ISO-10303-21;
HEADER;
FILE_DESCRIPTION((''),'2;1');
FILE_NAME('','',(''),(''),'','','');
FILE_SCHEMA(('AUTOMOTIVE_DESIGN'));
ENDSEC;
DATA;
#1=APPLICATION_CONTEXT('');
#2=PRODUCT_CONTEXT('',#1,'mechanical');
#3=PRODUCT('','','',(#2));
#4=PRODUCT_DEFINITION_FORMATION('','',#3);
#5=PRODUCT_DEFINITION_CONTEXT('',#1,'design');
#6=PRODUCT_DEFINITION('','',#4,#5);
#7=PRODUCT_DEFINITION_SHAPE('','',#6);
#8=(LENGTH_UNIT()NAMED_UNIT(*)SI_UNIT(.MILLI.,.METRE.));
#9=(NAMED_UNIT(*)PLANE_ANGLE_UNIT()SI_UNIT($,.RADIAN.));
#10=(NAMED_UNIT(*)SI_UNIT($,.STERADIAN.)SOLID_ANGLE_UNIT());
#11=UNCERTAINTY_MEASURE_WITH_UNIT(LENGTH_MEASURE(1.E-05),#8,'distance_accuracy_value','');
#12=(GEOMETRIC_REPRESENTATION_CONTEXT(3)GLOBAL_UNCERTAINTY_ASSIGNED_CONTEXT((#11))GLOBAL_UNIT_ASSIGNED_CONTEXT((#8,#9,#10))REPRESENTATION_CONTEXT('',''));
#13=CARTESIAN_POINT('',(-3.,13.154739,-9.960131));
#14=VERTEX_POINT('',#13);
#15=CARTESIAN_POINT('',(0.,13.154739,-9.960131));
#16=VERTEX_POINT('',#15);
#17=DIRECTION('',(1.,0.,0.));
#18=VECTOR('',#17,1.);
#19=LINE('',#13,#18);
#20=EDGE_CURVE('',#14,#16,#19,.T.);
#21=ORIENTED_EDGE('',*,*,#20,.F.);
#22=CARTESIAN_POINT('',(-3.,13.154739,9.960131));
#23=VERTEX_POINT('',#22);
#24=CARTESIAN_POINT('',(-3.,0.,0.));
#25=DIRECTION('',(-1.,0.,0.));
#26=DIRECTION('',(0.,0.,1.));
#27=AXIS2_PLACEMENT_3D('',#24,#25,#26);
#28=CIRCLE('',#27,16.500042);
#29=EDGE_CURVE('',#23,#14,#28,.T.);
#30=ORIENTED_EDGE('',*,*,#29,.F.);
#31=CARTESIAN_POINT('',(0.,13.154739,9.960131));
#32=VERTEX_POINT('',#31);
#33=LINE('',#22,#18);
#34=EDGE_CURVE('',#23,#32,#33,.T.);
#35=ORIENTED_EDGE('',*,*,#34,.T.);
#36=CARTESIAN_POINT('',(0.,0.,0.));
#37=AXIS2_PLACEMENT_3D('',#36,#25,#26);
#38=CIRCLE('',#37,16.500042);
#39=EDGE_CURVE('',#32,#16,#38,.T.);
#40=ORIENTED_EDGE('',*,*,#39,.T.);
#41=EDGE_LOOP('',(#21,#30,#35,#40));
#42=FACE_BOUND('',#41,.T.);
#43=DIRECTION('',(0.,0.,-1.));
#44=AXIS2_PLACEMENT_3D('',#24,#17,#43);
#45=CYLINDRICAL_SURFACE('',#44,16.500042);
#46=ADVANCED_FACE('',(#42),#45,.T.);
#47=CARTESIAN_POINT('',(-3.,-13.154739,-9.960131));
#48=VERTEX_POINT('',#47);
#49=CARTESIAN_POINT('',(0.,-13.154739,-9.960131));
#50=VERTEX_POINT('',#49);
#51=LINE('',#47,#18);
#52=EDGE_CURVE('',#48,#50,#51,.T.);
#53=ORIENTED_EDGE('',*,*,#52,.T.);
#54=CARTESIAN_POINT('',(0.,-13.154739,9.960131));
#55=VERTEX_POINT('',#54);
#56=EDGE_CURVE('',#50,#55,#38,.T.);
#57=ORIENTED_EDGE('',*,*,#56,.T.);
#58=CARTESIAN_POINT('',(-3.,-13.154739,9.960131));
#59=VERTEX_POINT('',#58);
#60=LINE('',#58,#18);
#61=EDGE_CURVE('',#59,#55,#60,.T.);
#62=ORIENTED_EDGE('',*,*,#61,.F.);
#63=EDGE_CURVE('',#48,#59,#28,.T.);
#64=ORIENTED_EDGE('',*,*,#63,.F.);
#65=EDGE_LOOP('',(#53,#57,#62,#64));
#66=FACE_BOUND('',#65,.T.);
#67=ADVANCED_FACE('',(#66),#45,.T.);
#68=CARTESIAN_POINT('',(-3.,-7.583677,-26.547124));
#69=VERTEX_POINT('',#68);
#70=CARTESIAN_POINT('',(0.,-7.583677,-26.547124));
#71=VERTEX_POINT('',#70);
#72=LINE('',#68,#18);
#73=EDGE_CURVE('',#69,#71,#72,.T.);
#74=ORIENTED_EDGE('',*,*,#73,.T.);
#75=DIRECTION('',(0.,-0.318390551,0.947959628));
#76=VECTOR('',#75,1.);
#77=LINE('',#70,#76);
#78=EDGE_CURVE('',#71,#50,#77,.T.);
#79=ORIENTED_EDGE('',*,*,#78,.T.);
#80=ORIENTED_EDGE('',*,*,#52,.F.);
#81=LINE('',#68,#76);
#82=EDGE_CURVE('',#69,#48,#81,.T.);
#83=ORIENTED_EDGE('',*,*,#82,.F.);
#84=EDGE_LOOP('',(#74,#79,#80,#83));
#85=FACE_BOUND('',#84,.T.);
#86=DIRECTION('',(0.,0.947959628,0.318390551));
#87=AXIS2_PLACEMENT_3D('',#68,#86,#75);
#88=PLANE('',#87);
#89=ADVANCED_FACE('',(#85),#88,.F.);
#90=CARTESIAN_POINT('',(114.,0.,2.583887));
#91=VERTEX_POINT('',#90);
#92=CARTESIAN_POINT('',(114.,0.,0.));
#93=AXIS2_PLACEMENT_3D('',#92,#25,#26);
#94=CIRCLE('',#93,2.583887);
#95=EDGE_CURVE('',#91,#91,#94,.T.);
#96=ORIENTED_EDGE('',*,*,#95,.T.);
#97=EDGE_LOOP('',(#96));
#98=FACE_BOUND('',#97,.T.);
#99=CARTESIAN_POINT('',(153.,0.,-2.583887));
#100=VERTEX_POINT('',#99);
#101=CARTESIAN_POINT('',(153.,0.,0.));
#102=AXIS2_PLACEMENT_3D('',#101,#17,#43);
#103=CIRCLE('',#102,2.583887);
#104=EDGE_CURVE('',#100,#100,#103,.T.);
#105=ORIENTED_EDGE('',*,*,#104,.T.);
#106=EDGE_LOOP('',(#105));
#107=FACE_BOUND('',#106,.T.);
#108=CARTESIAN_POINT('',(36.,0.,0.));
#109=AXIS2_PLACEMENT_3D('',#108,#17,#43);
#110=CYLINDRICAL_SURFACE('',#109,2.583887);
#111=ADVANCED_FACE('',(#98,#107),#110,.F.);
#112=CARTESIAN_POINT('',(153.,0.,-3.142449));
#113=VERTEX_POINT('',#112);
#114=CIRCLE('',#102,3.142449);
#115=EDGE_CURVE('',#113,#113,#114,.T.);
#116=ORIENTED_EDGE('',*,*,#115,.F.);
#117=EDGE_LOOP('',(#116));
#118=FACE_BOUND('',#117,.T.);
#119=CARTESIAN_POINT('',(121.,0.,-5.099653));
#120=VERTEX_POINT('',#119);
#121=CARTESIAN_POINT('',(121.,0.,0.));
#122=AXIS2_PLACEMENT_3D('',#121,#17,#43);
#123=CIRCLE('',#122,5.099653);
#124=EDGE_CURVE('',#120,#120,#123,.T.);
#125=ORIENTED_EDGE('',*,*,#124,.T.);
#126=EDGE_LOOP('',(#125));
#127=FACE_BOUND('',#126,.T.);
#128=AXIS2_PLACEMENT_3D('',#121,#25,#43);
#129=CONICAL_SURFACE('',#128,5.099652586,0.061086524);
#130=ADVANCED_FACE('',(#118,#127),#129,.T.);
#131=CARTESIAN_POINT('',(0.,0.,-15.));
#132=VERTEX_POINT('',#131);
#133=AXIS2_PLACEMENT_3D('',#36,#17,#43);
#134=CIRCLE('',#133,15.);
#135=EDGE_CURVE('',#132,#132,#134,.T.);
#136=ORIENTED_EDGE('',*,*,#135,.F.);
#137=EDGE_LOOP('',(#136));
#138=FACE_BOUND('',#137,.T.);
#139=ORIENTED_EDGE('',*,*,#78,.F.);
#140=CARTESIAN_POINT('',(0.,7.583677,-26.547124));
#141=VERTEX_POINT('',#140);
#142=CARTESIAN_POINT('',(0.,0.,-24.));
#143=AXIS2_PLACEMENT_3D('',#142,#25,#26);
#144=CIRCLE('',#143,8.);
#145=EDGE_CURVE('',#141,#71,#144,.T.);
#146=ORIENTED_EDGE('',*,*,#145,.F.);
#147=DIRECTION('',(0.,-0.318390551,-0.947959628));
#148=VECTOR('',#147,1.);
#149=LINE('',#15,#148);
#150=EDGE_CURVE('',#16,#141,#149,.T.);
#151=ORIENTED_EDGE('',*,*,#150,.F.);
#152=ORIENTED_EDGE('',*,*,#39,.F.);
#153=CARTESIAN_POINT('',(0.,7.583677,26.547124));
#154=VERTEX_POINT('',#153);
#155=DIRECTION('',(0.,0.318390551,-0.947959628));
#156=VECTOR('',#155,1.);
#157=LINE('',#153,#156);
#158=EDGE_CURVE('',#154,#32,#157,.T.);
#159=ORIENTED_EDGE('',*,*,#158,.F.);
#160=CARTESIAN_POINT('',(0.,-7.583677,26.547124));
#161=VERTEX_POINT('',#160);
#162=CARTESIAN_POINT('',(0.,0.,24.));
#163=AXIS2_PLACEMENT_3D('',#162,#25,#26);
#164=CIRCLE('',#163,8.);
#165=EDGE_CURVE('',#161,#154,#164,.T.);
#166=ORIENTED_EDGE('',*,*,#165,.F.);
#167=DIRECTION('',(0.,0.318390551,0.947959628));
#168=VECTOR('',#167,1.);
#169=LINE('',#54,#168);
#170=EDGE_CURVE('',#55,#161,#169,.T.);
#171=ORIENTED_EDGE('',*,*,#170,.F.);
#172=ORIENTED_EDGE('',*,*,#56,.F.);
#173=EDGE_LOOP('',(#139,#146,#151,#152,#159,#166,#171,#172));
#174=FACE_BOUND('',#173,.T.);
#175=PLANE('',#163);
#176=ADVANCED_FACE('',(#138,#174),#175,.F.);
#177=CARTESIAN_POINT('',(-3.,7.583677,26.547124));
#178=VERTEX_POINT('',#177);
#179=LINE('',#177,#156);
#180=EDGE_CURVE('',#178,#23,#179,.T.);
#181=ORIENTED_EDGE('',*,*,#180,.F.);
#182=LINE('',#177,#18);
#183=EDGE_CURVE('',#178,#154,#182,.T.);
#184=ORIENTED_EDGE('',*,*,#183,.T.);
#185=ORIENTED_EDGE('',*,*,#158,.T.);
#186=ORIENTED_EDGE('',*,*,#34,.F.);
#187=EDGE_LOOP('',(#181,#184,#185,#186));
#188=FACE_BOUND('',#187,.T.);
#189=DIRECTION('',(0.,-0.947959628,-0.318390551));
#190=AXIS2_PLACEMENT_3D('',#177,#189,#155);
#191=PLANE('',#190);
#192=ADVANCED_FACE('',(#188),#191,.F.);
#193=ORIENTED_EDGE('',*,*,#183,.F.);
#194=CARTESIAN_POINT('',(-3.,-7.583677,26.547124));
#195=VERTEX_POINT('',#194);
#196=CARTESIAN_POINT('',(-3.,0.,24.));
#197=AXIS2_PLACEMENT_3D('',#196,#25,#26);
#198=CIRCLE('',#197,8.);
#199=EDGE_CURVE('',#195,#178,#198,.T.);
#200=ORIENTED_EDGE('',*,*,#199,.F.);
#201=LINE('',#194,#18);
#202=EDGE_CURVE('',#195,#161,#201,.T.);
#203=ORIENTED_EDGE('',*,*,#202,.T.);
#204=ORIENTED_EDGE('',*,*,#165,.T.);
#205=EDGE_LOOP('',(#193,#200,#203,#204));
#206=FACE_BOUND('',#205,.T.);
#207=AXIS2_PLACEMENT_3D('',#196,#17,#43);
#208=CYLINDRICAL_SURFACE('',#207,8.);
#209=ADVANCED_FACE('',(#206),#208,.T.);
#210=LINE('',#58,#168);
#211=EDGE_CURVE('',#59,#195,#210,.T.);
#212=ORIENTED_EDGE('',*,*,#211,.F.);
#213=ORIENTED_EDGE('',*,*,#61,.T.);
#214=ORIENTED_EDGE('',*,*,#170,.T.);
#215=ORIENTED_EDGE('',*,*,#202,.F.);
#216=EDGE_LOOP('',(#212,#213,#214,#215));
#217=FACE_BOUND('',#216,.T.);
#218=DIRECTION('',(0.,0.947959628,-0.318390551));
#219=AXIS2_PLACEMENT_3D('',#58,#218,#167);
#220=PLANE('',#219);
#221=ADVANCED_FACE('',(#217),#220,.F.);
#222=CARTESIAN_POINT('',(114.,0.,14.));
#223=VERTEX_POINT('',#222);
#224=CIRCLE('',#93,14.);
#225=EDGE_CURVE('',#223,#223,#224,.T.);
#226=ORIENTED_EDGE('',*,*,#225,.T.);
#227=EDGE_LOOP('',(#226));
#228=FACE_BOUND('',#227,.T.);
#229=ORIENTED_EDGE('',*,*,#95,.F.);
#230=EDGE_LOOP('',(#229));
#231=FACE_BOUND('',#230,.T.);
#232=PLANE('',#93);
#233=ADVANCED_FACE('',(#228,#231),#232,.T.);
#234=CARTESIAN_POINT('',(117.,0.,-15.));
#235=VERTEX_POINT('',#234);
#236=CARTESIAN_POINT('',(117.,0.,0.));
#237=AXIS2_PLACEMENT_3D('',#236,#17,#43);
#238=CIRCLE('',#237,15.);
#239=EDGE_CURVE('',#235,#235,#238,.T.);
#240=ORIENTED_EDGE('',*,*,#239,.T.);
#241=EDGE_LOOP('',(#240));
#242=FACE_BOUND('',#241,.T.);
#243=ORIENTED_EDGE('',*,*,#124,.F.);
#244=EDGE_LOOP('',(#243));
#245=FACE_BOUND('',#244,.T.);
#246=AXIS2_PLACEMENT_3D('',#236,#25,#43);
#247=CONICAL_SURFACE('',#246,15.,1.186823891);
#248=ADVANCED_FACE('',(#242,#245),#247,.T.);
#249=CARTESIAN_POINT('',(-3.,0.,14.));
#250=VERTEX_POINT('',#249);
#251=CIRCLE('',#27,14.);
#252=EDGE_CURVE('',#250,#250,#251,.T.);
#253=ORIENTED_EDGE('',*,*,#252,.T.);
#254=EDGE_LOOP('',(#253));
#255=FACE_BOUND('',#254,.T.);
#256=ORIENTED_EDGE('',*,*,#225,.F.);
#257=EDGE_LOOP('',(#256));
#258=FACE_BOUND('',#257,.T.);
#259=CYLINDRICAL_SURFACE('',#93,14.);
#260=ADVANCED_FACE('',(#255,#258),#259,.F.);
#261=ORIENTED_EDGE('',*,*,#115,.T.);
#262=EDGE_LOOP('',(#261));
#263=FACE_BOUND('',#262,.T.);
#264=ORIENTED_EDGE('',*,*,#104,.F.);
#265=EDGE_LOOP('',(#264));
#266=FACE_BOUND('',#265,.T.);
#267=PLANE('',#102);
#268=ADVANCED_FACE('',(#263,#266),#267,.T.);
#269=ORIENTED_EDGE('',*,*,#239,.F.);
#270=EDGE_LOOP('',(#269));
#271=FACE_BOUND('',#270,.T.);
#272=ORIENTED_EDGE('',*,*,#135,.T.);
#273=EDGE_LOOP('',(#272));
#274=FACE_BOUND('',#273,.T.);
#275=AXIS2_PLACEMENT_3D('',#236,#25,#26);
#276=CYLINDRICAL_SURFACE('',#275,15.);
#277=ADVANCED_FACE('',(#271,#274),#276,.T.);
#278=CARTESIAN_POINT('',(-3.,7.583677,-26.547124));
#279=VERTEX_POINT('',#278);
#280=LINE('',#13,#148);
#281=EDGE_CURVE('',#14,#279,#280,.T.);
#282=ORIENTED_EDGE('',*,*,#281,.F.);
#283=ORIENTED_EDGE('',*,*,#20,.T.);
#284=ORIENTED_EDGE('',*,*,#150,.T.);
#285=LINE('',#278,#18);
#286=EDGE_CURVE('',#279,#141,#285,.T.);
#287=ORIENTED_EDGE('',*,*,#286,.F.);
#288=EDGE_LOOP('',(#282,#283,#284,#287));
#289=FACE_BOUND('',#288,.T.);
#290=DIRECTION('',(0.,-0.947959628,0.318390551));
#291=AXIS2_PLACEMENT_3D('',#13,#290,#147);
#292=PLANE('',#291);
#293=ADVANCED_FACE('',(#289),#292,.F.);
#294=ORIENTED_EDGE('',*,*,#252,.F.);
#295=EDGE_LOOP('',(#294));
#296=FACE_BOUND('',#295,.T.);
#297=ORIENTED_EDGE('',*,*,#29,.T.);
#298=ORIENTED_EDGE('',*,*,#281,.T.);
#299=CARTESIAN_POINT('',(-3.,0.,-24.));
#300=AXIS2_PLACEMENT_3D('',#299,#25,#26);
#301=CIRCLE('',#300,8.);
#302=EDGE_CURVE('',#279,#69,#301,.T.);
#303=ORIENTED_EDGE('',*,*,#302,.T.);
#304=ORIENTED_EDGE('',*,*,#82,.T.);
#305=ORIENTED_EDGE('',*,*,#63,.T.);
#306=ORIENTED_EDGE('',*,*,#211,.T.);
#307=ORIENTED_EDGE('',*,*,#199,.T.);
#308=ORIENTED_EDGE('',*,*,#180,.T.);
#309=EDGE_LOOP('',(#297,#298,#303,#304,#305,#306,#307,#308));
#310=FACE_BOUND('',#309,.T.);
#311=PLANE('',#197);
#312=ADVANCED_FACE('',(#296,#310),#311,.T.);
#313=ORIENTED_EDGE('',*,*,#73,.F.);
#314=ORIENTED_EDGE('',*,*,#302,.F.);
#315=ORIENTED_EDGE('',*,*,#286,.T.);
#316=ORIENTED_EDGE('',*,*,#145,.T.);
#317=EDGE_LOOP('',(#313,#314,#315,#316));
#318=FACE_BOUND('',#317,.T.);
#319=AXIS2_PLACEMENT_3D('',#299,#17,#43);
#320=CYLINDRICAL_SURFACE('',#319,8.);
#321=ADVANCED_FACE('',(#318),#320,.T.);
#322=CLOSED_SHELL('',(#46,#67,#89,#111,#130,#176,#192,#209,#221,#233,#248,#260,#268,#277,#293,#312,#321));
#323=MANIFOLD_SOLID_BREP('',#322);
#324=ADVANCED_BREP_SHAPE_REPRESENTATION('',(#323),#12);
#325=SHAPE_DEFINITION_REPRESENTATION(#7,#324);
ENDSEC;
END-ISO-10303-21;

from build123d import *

# Parameters (mm, degrees)
SKETCH1_R           = 15
BOSS_EXTRUDE1_DEPTH = 117
SKETCH2_R           = 15
BOSS_EXTRUDE2_DEPTH = 4
BOSS_EXTRUDE2_TAPER = 68
SKETCH3_R           = 5.099652586
BOSS_EXTRUDE3_DEPTH = 32
BOSS_EXTRUDE3_TAPER = 3.5
BOSS_EXTRUDE4_DEPTH = 3
SKETCH5_R           = 14
CUT_EXTRUDE1_DEPTH  = 117
SKETCH6_R           = 2.583886955
CUT_EXTRUDE2_DEPTH  = 117


with BuildPart() as part:
    # Sketch1 → Boss-Extrude1 (new body)
    with BuildSketch(Plane(origin=(0, 0, 0), x_dir=(0, 0, -1), z_dir=(1, 0, 0))):
        Circle(SKETCH1_R)
    extrude(amount=BOSS_EXTRUDE1_DEPTH)

    # Sketch2 → Boss-Extrude2 (add)
    with BuildSketch(Plane(origin=(117, 0, 0), x_dir=(0, 0, -1), z_dir=(1, 0, 0))):
        Circle(SKETCH2_R)
    extrude(amount=BOSS_EXTRUDE2_DEPTH, taper=BOSS_EXTRUDE2_TAPER)

    # Sketch3 → Boss-Extrude3 (add)
    with BuildSketch(Plane(origin=(121, 0, 0), x_dir=(0, 0, -1), z_dir=(1, 0, 0))):
        Circle(SKETCH3_R)
    extrude(amount=BOSS_EXTRUDE3_DEPTH, taper=BOSS_EXTRUDE3_TAPER)

    # Sketch4 → Boss-Extrude4 (add)
    with BuildSketch(Plane.ZY):
        with BuildLine():
            Line((9.96013089, -13.154739182), (26.54712441, -7.583677026))
            ThreePointArc((26.54712441, -7.583677026), (32, 0), (26.54712441, 7.583677026))
            Line((26.54712441, 7.583677026), (9.96013089, 13.154739182))
            ThreePointArc((9.96013089, 13.154739182), (0, 16.500041524), (-9.96013089, 13.154739182))
            Line((-9.96013089, 13.154739182), (-26.54712441, 7.583677026))
            ThreePointArc((-26.54712441, 7.583677026), (-32, 0), (-26.54712441, -7.583677026))
            Line((-26.54712441, -7.583677026), (-9.96013089, -13.154739182))
            ThreePointArc((-9.96013089, -13.154739182), (0, -16.500041524), (9.96013089, -13.154739182))
        make_face()
    extrude(amount=BOSS_EXTRUDE4_DEPTH)

    # Sketch5 → Cut-Extrude1 (cut)
    with BuildSketch(Plane.ZY.offset(3)):
        Circle(SKETCH5_R)
    extrude(amount=-CUT_EXTRUDE1_DEPTH, mode=Mode.SUBTRACT)

    # Sketch6 → Cut-Extrude2 (cut)
    with BuildSketch(Plane(origin=(153, 0, 0), x_dir=(0, 0, -1), z_dir=(1, 0, 0))):
        Circle(SKETCH6_R)
    extrude(amount=-CUT_EXTRUDE2_DEPTH, mode=Mode.SUBTRACT)


solid = part.part
